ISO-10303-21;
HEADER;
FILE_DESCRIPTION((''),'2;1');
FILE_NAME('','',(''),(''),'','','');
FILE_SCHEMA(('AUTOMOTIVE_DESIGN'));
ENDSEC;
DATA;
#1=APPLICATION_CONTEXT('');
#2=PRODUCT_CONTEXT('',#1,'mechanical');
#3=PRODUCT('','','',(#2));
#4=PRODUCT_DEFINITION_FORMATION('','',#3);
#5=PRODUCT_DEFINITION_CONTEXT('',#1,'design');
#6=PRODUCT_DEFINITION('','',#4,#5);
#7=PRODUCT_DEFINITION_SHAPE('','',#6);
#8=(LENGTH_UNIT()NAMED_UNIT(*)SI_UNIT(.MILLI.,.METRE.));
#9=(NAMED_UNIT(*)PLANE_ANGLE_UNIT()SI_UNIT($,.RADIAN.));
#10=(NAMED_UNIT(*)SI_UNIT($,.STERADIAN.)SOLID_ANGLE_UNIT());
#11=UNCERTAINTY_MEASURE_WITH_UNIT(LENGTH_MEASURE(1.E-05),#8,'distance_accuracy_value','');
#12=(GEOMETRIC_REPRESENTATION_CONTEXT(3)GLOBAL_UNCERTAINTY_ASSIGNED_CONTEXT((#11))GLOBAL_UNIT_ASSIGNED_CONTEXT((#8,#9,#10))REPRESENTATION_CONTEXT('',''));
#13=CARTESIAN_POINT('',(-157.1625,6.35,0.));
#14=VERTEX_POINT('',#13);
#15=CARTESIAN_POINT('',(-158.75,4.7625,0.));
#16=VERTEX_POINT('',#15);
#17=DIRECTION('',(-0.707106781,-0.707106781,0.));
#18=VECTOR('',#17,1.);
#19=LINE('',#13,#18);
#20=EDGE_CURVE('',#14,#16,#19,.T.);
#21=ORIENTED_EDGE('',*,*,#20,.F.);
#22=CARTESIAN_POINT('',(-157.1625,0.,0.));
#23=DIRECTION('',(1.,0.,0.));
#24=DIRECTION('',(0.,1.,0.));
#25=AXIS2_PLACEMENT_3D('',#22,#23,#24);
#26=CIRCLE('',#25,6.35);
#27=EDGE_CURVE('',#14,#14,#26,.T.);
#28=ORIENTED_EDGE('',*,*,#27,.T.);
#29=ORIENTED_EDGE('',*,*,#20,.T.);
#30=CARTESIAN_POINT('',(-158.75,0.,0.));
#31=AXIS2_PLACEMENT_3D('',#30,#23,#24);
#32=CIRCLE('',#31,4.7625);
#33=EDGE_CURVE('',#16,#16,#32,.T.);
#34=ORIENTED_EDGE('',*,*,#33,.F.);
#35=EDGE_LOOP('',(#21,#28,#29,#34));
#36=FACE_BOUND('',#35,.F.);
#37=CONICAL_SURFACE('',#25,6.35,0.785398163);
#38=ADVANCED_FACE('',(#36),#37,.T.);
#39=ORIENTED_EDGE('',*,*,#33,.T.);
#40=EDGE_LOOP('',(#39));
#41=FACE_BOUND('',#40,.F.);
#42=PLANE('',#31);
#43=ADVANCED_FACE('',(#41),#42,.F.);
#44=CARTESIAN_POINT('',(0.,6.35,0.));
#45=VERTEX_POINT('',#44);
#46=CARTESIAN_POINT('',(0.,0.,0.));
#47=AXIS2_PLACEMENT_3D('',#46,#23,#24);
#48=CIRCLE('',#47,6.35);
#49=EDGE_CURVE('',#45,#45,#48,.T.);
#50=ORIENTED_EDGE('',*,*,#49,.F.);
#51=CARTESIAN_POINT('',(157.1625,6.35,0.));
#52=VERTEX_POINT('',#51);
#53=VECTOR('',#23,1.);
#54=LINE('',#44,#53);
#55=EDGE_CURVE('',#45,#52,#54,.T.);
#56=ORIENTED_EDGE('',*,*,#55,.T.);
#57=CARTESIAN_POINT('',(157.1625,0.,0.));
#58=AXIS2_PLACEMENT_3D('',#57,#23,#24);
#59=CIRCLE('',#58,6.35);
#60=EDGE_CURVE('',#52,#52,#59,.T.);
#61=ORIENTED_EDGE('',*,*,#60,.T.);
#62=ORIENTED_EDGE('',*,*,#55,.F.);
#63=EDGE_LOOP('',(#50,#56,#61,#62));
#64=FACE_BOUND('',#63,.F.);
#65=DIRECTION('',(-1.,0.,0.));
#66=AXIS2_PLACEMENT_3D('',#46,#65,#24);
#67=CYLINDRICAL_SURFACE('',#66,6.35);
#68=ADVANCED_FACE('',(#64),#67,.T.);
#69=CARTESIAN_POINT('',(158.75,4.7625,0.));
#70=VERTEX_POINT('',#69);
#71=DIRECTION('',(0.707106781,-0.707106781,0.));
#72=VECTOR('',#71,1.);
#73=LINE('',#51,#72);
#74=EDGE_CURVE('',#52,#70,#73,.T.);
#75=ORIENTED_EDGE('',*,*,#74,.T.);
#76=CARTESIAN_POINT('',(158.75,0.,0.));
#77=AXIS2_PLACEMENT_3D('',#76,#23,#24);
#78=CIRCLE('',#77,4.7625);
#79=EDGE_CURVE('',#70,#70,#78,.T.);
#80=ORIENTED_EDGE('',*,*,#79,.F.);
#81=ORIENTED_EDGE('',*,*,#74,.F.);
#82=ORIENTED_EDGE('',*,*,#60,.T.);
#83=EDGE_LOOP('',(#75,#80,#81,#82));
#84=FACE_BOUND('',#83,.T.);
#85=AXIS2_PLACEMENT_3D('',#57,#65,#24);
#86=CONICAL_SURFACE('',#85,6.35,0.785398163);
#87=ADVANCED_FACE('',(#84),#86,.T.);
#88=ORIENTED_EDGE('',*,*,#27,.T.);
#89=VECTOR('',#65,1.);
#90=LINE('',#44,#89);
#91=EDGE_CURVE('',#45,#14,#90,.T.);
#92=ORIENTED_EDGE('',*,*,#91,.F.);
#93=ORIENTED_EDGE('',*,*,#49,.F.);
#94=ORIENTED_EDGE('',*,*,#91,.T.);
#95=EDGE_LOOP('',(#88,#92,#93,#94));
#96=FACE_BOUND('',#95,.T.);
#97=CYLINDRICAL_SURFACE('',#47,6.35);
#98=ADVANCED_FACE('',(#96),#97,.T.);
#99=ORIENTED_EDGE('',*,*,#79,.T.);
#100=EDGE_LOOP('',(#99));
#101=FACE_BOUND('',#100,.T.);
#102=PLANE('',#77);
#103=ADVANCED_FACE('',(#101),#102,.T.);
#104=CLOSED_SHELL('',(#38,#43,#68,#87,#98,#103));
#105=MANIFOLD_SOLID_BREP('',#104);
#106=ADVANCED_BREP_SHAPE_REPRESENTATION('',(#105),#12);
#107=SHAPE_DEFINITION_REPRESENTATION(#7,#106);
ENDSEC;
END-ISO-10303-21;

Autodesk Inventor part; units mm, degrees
ref_plane "YZ Plane" through (0, 0, 0) normal (1, 0, 0) x (0, 1, 0)
ref_plane "XZ Plane" through (0, 0, 0) normal (0, 1, 0) x (-1, 0, 0)
ref_plane "XY Plane" through (0, 0, 0) normal (0, 0, 1) x (1, 0, 0)
sketch "Sketch1" plane through (0, 0, 0) normal (1, 0, 0) x (0, 1, 0)
  circle A0 centre (0, 0) radius 6.35
  dimension "d0" = 12.7
extrude "Extrusion1" add sketch "Sketch1" along normal mid plane 317.5
chamfer "Chamfer1" distance 1.5875 angle 45 2 edges at (158.75, -6.35, 0) (-158.75, -6.35, 0)
properties part number "SUS-Shaft" material "Steel, Alloy"
